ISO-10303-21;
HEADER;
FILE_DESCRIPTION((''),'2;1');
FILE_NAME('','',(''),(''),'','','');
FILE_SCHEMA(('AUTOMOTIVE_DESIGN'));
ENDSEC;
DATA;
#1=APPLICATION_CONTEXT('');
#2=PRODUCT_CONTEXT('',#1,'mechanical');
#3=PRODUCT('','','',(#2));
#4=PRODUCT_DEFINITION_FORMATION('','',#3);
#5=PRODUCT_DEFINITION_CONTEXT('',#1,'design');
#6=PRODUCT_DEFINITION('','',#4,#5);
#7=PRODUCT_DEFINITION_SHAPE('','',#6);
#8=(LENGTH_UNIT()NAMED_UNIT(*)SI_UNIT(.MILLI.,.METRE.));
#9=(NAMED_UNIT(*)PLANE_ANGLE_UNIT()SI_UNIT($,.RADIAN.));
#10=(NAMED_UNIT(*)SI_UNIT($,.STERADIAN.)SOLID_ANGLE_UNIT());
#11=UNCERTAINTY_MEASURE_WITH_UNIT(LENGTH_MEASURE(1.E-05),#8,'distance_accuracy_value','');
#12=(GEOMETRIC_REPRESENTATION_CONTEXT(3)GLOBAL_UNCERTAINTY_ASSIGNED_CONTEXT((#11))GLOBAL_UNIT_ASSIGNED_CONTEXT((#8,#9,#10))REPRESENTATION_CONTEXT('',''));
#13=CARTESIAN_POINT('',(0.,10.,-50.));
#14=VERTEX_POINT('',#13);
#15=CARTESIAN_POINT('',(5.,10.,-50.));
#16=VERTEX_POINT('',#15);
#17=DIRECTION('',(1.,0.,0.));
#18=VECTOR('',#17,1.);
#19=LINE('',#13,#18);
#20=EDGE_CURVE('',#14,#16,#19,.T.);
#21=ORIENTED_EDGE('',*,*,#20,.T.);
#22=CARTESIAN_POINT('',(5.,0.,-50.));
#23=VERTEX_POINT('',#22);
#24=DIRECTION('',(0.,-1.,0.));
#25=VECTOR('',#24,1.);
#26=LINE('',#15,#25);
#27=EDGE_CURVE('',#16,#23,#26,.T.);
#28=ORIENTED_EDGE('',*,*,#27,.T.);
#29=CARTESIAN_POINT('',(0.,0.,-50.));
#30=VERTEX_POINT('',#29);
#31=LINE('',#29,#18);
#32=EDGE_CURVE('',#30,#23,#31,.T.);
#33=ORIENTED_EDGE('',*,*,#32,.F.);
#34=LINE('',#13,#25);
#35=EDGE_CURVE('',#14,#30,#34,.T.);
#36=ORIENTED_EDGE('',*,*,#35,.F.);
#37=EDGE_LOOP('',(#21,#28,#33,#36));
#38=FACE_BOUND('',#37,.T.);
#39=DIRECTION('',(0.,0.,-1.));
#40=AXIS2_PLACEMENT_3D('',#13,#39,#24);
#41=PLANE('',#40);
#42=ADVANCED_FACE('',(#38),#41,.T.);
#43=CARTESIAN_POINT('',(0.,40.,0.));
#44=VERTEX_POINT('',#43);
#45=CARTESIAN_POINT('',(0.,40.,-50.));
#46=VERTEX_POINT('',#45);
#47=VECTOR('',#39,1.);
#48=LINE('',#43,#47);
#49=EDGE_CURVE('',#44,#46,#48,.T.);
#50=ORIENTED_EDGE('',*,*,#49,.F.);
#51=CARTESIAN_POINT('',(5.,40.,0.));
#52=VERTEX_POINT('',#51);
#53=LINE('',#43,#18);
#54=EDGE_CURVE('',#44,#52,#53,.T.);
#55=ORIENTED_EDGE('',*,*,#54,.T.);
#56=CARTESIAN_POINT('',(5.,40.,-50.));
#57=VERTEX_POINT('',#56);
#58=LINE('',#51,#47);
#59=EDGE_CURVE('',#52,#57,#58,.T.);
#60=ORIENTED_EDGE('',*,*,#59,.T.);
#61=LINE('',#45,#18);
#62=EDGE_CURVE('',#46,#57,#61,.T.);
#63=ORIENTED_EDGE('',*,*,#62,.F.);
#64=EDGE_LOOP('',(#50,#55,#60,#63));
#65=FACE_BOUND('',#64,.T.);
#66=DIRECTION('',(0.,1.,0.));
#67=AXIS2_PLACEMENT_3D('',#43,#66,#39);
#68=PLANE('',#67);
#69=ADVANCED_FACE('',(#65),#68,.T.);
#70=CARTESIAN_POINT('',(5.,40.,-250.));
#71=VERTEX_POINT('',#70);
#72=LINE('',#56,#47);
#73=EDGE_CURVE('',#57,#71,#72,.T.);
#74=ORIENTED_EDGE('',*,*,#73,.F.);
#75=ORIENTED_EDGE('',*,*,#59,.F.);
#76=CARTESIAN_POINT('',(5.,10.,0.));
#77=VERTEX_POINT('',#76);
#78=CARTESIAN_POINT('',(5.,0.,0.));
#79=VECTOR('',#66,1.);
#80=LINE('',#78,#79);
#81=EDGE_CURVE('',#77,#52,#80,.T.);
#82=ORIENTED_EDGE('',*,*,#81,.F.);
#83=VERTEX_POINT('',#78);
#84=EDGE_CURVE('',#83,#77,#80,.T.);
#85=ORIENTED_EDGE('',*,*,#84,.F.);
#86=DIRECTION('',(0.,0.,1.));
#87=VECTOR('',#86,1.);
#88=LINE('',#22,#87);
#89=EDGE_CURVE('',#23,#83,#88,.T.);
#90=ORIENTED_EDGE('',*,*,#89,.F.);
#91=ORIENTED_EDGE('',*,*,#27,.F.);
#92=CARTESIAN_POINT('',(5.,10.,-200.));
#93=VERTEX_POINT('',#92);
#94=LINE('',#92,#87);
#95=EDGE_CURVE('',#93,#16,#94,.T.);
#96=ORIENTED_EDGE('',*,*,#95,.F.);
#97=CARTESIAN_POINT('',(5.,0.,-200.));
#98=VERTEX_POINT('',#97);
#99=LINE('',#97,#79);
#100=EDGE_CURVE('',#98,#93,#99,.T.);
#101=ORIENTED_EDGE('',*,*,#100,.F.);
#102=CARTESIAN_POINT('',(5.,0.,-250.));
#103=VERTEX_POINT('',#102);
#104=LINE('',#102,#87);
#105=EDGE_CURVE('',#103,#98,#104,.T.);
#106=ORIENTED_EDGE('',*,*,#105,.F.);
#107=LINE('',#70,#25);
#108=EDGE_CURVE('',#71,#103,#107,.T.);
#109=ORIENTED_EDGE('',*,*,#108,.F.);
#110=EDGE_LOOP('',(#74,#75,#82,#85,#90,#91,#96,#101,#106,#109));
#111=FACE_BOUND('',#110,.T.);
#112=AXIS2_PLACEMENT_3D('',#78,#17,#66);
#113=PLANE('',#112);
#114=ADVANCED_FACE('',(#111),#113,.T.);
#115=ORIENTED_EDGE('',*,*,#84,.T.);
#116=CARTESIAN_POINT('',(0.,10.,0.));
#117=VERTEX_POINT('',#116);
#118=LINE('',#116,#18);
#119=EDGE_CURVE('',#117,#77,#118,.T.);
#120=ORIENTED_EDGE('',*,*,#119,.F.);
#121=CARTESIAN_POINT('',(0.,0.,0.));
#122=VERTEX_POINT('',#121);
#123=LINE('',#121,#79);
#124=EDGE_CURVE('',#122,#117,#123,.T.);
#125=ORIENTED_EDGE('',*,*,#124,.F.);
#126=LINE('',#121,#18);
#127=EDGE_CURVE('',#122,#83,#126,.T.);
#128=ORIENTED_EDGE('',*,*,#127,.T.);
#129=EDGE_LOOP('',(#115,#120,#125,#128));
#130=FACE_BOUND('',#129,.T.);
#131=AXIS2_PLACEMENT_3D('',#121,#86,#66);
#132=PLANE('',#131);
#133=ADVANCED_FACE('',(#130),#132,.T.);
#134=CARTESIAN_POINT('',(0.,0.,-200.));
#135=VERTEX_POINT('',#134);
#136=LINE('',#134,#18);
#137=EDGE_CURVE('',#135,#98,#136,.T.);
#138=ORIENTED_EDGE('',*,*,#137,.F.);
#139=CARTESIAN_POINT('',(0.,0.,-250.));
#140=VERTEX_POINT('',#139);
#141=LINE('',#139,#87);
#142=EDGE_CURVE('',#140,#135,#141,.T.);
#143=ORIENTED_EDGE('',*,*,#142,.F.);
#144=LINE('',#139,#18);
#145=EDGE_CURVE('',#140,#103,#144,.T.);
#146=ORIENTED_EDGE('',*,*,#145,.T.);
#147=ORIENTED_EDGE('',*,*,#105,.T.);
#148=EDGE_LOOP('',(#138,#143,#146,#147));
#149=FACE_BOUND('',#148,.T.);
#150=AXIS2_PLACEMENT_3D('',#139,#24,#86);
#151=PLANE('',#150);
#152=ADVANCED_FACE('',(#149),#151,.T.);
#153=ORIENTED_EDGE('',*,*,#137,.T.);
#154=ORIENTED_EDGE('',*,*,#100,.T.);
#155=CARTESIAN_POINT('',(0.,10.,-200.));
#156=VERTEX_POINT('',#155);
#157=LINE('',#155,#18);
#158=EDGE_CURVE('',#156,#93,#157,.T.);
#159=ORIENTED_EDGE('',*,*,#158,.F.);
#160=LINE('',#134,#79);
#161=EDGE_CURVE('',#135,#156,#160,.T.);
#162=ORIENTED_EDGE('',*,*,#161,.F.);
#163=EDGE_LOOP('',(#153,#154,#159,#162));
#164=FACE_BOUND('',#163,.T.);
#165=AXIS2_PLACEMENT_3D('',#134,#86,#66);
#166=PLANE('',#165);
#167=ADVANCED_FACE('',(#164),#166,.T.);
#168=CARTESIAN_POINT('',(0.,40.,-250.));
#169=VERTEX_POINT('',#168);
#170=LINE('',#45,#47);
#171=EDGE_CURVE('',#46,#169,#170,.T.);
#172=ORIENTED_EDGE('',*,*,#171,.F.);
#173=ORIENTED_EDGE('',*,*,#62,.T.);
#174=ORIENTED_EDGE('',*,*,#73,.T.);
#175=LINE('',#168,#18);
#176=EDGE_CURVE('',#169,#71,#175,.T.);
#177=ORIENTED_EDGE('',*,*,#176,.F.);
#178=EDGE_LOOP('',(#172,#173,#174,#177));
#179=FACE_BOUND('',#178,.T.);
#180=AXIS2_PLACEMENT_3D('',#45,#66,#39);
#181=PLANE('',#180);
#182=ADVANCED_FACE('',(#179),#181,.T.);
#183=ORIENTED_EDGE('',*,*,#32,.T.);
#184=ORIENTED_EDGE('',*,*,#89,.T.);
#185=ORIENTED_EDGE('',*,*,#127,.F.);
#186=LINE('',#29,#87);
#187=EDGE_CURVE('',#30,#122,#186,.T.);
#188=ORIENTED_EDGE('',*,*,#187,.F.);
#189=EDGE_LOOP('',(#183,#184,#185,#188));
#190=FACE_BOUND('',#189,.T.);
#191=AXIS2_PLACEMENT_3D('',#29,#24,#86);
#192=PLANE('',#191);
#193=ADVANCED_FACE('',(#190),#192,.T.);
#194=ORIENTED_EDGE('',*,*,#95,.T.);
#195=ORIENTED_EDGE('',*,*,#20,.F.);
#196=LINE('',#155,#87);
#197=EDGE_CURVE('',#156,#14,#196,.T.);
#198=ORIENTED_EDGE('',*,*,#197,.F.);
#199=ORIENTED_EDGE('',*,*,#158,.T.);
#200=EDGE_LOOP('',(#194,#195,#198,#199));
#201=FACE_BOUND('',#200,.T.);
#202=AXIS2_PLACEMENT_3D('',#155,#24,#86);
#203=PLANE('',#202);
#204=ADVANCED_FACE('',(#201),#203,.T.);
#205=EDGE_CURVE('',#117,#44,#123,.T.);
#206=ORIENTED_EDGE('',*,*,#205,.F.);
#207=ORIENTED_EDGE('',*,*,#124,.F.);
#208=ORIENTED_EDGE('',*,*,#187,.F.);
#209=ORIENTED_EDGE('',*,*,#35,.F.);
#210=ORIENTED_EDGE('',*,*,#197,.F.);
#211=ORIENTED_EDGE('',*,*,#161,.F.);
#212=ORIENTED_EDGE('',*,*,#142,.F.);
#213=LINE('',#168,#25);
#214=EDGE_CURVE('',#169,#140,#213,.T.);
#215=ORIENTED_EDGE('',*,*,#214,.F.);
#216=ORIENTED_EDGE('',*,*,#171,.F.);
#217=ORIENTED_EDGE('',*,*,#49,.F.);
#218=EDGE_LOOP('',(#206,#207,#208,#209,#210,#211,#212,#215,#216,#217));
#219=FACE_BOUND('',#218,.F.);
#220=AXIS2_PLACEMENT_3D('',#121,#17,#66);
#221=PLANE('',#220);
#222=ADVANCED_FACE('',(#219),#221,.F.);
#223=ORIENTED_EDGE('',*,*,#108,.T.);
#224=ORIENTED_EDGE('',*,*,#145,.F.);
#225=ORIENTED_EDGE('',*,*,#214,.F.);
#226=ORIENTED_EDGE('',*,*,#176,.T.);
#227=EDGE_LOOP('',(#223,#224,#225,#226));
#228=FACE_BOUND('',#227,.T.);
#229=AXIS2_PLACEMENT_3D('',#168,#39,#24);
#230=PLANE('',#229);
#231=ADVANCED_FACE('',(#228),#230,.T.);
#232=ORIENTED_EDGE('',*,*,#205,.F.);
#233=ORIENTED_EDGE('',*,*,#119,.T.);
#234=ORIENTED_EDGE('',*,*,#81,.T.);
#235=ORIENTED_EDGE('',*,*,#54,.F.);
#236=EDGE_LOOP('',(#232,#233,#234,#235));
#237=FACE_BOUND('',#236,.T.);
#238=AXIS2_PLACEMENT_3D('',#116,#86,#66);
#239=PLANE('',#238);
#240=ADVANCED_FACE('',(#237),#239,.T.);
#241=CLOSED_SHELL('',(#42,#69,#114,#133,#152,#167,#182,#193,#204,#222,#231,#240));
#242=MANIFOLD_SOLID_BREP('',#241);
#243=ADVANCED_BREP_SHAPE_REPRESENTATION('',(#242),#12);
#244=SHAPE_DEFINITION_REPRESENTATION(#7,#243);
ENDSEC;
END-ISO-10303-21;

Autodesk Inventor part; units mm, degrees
ref_plane "YZ Plane" through (0, 0, 0) normal (1, 0, 0) x (0, 1, 0)
ref_plane "XZ Plane" through (0, 0, 0) normal (0, 1, 0) x (-1, 0, 0)
ref_plane "XY Plane" through (0, 0, 0) normal (0, 0, 1) x (1, 0, 0)
sketch "Sketch1" plane through (0, 0, 0) normal (1, 0, 0) x (0, 1, 0)
  line L0 (0, 0) -> (40, 0)
  line L1 (40, 0) -> (40, -50)
  line L2 (0, 0) -> (10, 0)
  line L3 (10, -50) -> (0, -50)
  line L4 (0, -50) -> (0, 0)
  line L5 (40, -50) -> (40, -250)
  line L6 (40, -250) -> (0, -250)
  line L7 (0, -250) -> (0, -200)
  line L8 (0, -200) -> (10, -200)
  line L9 (10, -200) -> (10, -50)
  dimension "d0" = 40
  dimension "d4" = 50
  dimension "d5" = 10
  dimension "d8" = 250
  dimension "d9" = 50
extrude "Extrusion1" add sketch "Sketch1" along normal blind 5
properties part number "cover"
